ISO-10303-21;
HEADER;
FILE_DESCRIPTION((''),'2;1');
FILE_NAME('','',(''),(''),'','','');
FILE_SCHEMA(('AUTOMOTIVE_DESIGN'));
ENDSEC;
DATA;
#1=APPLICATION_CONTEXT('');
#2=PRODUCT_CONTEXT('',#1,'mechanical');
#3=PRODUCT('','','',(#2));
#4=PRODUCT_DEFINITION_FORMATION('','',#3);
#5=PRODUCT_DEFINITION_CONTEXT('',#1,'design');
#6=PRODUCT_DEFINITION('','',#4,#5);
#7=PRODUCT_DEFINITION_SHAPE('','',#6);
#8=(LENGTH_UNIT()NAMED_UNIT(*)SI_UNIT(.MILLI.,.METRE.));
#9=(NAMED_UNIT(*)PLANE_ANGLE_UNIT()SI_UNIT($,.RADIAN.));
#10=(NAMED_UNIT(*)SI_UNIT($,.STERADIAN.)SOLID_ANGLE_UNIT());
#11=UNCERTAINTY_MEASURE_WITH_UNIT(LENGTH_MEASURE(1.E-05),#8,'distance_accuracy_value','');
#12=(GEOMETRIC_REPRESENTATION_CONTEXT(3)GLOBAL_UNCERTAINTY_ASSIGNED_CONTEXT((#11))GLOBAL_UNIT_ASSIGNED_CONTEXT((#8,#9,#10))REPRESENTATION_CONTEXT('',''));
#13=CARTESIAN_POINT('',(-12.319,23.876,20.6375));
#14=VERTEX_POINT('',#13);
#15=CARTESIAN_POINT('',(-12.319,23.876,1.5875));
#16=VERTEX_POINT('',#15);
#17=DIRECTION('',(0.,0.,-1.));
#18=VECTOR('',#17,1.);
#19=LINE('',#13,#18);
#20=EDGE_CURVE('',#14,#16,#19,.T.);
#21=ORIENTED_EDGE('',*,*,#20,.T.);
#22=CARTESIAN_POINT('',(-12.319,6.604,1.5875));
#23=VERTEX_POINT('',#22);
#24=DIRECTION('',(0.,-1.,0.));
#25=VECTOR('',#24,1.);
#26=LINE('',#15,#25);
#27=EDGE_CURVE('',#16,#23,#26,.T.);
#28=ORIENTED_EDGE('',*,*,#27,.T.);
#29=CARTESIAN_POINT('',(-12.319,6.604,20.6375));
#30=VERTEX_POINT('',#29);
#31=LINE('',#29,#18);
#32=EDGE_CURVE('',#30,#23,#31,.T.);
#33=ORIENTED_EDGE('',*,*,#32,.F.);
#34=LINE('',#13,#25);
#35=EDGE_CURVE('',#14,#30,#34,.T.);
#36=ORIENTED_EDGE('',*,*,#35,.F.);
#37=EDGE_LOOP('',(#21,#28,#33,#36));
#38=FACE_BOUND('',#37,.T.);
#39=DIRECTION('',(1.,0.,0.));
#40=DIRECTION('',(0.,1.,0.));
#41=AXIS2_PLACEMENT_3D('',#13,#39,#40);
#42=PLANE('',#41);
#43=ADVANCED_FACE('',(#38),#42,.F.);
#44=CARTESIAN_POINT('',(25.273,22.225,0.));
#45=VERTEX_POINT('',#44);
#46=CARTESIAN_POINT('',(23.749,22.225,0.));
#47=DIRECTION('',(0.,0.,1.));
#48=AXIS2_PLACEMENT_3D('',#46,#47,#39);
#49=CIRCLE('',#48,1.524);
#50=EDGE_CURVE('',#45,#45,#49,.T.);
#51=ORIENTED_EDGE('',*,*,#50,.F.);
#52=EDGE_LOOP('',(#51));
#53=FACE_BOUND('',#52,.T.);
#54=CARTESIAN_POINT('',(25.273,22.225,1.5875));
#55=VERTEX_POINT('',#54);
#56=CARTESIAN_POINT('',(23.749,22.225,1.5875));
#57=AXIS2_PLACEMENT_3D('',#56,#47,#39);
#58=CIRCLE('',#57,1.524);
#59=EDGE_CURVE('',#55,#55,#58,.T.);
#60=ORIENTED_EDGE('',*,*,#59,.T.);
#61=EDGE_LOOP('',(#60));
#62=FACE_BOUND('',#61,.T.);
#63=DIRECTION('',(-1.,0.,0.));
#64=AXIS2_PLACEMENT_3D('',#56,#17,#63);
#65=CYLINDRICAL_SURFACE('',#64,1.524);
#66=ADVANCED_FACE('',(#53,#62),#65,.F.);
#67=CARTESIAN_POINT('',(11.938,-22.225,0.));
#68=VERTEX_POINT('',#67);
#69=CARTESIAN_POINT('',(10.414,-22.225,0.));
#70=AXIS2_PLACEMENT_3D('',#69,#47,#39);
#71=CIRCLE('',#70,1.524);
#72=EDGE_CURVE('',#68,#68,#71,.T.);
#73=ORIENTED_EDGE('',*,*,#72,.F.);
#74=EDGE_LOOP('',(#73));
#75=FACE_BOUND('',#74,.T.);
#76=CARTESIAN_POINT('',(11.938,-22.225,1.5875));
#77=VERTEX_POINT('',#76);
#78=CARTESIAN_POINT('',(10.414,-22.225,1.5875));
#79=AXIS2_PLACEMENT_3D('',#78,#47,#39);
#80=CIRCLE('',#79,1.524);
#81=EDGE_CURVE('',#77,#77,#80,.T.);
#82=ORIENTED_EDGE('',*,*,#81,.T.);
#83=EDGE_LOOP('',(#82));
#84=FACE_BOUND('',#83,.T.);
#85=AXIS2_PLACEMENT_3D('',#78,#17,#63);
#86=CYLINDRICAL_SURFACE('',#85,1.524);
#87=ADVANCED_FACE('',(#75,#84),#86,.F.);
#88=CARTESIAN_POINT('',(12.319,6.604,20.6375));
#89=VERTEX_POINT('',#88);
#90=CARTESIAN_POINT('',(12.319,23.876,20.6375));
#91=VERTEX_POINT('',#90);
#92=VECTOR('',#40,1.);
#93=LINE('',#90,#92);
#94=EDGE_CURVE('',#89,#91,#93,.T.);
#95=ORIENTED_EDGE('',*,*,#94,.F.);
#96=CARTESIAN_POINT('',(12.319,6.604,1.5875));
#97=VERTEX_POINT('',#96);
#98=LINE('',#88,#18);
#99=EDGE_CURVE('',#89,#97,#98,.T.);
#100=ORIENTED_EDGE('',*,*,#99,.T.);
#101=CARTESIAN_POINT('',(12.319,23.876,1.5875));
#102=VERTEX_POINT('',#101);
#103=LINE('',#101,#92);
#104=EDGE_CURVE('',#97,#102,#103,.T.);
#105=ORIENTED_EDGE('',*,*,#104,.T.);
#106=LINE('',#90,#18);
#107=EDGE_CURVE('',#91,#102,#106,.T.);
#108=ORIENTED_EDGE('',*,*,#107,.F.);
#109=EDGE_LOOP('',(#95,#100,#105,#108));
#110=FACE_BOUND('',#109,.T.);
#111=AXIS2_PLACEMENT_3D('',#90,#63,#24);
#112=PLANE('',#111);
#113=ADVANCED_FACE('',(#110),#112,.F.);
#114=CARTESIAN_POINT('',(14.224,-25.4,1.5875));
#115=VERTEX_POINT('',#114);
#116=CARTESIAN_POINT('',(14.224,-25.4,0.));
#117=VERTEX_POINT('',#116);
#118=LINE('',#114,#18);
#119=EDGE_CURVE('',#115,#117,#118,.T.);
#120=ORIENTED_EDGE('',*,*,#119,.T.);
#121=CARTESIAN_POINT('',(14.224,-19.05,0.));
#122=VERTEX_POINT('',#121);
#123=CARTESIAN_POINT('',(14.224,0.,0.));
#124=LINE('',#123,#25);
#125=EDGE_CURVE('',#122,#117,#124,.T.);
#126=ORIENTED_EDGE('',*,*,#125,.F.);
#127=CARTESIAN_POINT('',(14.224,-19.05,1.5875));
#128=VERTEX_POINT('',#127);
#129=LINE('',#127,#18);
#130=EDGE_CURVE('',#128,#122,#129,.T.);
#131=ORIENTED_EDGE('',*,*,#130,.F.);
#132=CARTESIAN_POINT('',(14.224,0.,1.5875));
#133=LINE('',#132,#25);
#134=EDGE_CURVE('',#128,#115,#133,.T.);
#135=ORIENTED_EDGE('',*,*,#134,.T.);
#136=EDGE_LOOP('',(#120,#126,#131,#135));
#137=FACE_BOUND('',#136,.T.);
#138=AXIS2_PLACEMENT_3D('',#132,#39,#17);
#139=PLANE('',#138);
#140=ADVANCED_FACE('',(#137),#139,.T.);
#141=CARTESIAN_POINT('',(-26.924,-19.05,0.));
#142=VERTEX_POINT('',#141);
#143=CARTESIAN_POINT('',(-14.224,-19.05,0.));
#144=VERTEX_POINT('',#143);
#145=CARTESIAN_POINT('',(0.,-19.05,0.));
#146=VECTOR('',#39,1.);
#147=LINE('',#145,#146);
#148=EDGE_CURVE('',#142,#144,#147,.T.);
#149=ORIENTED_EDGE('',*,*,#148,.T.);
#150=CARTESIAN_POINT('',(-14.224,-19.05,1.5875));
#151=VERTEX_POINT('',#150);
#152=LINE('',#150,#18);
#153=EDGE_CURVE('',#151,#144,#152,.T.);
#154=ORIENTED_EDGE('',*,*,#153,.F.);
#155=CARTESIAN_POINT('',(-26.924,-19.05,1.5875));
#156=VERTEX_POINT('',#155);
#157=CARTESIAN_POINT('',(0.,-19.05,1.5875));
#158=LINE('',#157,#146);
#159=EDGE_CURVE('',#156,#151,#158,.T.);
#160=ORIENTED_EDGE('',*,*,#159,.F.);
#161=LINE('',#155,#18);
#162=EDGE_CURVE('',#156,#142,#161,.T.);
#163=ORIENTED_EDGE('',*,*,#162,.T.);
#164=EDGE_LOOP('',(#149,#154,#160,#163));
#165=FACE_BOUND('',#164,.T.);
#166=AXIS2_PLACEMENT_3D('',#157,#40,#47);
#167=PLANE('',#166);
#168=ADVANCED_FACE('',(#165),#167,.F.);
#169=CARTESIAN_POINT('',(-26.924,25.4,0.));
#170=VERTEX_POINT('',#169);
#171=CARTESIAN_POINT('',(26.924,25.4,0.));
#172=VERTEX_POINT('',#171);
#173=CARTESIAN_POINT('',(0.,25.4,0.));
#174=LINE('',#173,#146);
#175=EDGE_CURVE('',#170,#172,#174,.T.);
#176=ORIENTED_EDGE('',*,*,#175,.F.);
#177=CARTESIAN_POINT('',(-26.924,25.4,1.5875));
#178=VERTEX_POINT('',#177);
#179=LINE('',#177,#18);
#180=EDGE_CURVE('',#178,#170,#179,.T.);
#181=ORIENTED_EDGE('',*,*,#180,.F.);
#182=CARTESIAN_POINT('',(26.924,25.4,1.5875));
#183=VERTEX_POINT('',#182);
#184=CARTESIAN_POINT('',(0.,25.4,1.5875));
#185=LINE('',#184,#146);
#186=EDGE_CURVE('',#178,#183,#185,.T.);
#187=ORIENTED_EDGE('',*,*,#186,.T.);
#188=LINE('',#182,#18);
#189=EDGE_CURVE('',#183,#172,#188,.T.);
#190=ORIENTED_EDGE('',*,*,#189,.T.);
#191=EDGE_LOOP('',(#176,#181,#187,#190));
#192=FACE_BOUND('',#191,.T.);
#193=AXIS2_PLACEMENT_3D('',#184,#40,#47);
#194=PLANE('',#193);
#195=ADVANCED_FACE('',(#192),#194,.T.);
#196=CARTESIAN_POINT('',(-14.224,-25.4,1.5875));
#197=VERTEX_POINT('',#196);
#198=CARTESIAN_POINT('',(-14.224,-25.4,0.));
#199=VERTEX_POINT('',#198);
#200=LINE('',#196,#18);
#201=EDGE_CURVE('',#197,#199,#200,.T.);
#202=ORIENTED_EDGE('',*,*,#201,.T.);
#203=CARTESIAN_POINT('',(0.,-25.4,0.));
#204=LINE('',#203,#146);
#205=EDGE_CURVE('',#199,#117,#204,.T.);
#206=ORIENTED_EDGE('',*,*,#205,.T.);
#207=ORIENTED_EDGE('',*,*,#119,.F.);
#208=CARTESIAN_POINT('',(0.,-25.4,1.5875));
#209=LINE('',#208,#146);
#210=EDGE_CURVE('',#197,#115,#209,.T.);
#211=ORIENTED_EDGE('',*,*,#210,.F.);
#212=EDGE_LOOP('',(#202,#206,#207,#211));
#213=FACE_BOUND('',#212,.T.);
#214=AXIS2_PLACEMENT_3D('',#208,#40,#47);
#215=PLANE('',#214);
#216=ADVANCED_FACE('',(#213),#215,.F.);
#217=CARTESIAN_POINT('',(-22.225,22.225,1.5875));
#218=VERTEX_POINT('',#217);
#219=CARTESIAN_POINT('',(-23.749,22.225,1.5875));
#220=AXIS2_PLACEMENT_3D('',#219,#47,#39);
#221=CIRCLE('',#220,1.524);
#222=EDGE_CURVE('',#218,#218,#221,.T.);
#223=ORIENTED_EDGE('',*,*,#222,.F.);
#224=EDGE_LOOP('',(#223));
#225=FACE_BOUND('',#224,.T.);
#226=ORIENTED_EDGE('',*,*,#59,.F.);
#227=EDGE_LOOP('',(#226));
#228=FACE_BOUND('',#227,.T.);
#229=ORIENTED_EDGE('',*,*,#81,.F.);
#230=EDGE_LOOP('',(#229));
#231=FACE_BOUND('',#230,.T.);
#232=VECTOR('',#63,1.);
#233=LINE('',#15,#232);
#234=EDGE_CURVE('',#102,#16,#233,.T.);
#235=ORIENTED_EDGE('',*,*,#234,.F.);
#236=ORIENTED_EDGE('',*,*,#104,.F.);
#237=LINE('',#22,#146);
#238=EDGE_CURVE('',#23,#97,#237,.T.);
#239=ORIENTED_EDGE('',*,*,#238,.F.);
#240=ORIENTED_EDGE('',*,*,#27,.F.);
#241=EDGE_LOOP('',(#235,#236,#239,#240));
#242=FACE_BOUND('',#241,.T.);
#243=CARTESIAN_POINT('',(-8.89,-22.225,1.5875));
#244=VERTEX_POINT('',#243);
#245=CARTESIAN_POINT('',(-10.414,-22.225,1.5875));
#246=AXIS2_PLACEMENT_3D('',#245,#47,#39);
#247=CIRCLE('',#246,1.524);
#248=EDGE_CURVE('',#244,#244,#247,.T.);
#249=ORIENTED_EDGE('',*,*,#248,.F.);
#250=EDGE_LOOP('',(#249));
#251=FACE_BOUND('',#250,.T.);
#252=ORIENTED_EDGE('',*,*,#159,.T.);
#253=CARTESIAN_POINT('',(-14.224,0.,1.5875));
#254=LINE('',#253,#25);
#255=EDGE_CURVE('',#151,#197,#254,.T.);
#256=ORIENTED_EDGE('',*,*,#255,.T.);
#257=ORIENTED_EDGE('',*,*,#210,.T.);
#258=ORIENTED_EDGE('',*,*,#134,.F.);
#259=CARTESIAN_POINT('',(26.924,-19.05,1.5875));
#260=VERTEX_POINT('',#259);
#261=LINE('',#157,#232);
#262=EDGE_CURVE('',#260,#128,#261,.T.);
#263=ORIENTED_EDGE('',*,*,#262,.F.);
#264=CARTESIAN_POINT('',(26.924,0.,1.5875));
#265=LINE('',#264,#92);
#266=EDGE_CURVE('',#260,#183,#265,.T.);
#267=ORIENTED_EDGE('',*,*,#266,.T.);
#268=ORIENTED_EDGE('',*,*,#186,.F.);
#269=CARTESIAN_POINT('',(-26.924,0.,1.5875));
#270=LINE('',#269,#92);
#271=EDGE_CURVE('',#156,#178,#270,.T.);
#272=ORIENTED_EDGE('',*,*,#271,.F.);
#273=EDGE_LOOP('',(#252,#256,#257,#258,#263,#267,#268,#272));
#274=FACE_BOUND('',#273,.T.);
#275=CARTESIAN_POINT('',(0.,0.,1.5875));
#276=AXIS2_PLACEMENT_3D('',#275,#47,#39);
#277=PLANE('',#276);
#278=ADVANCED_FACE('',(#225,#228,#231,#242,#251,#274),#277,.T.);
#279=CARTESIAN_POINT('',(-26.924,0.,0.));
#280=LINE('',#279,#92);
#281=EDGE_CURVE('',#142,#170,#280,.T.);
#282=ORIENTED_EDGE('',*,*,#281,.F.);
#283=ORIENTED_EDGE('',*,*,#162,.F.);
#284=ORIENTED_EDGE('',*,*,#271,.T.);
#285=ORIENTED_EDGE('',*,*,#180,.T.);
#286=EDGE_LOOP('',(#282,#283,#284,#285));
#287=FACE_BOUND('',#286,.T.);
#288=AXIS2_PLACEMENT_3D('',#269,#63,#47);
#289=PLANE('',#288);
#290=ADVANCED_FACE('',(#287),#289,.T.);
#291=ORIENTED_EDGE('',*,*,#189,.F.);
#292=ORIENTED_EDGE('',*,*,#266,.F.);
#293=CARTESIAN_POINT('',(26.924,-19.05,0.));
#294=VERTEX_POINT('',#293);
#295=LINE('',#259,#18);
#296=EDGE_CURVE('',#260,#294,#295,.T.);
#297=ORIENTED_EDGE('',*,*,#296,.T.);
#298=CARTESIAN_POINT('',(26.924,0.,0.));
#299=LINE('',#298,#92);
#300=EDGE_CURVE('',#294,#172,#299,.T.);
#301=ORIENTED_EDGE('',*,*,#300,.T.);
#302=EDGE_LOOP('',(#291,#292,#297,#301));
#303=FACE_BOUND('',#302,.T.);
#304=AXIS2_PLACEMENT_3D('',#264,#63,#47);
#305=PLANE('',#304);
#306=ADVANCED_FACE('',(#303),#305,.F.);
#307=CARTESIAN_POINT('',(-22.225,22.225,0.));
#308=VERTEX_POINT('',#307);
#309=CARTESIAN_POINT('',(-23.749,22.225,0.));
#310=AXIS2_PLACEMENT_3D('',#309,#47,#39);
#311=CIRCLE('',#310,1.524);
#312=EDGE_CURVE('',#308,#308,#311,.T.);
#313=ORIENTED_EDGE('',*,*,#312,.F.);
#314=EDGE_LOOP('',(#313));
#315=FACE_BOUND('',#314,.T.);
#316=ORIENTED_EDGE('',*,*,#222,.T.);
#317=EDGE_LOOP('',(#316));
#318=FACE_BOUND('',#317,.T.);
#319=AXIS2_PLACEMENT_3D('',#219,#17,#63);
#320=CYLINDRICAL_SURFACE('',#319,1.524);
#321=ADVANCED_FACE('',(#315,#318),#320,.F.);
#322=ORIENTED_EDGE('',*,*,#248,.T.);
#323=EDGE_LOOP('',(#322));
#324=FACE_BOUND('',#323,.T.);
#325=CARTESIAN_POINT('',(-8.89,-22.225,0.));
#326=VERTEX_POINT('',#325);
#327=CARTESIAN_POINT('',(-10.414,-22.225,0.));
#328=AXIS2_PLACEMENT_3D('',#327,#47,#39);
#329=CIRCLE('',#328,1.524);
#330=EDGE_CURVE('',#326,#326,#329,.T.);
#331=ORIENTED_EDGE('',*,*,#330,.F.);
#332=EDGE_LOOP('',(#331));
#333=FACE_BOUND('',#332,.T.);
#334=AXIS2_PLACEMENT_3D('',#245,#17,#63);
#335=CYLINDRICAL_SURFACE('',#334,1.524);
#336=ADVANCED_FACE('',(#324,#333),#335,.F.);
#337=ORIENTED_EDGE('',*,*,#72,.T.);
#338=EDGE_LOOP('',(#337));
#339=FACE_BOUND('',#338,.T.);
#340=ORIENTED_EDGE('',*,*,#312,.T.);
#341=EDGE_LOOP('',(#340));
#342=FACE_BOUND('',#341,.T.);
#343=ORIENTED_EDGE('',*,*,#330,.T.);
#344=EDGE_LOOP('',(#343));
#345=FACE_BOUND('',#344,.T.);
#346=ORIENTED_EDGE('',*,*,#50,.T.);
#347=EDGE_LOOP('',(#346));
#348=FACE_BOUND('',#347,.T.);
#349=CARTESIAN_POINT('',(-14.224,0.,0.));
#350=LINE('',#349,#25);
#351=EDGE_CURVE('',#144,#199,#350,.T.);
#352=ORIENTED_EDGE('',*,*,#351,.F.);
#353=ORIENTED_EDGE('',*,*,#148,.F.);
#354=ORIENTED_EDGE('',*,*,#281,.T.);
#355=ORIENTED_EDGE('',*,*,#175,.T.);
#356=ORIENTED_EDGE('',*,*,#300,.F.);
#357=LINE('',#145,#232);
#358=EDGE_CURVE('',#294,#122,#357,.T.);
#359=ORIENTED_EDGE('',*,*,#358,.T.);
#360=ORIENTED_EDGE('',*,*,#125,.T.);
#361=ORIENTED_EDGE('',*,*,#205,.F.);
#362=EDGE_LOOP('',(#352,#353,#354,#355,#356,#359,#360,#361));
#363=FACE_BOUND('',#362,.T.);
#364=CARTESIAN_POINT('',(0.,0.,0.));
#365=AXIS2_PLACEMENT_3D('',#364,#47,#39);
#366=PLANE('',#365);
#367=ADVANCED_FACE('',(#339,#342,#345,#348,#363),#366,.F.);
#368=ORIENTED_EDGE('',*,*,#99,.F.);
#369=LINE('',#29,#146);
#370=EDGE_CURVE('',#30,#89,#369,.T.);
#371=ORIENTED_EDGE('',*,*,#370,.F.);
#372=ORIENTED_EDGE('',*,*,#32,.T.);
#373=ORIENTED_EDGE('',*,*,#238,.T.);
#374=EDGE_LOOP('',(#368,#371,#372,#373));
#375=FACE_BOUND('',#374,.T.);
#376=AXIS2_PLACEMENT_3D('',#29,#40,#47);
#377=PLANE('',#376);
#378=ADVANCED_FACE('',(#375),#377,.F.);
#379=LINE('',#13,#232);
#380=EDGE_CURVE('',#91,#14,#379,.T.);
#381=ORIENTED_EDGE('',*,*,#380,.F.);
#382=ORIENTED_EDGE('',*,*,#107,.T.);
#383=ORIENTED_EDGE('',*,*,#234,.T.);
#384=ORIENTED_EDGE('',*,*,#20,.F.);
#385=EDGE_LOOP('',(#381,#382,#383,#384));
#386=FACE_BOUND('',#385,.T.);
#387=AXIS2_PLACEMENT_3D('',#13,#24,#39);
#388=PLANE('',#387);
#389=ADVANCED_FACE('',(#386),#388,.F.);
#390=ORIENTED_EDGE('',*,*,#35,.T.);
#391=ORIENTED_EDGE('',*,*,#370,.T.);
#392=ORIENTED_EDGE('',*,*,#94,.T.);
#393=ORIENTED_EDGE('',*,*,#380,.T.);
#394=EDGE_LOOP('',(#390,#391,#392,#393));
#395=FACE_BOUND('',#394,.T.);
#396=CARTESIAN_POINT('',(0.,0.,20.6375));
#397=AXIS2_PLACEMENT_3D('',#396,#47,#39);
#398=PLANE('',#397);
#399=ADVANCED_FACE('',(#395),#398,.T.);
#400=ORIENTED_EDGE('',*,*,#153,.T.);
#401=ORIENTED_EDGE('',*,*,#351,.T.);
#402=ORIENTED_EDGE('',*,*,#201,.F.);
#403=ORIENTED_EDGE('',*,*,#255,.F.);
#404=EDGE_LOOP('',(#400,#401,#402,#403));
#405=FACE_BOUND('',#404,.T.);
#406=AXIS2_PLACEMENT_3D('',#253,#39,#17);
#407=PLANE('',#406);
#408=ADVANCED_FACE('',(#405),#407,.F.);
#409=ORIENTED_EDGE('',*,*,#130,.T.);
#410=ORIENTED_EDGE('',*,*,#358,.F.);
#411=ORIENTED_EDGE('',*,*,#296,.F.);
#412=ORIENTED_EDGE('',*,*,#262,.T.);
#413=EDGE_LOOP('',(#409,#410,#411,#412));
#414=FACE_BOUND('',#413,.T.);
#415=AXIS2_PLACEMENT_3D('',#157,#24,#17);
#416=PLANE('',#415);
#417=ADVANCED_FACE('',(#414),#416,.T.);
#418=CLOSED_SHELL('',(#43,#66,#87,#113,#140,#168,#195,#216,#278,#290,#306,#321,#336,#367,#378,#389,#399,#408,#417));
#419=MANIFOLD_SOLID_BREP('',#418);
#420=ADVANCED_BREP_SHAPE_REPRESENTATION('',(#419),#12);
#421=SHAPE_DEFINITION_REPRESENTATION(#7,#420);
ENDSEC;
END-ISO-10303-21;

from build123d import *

# Parameters (mm, degrees)
SKETCH1_R           = 1.524
BOSS_EXTRUDE1_DEPTH = 1.5875
SKETCH2_W           = 24.638
SKETCH2_H           = 17.272
BOSS_EXTRUDE2_DEPTH = 19.05


with BuildPart() as part:
    # Sketch1 → Boss-Extrude1 (new body)
    with BuildSketch(Plane.XY):
        Polygon((-26.924, 25.4), (-26.924, -19.05), (-14.224, -19.05), (-14.224, -25.4), (14.224, -25.4), (14.224, -19.05), (26.924, -19.05), (26.924, 25.4), align=None)
        with Locations((-10.414, -22.225)):
            Circle(SKETCH1_R, mode=Mode.SUBTRACT)
        with Locations((10.414, -22.225)):
            Circle(SKETCH1_R, mode=Mode.SUBTRACT)
        with Locations((-23.749, 22.225)):
            Circle(SKETCH1_R, mode=Mode.SUBTRACT)
        with Locations((23.749, 22.225)):
            Circle(SKETCH1_R, mode=Mode.SUBTRACT)
    extrude(amount=BOSS_EXTRUDE1_DEPTH)

    # Sketch2 → Boss-Extrude2 (add)
    with BuildSketch(Plane.XY.offset(1.5875)):
        with Locations((0, 15.24)):
            Rectangle(SKETCH2_W, SKETCH2_H)
    extrude(amount=BOSS_EXTRUDE2_DEPTH)


solid = part.part
